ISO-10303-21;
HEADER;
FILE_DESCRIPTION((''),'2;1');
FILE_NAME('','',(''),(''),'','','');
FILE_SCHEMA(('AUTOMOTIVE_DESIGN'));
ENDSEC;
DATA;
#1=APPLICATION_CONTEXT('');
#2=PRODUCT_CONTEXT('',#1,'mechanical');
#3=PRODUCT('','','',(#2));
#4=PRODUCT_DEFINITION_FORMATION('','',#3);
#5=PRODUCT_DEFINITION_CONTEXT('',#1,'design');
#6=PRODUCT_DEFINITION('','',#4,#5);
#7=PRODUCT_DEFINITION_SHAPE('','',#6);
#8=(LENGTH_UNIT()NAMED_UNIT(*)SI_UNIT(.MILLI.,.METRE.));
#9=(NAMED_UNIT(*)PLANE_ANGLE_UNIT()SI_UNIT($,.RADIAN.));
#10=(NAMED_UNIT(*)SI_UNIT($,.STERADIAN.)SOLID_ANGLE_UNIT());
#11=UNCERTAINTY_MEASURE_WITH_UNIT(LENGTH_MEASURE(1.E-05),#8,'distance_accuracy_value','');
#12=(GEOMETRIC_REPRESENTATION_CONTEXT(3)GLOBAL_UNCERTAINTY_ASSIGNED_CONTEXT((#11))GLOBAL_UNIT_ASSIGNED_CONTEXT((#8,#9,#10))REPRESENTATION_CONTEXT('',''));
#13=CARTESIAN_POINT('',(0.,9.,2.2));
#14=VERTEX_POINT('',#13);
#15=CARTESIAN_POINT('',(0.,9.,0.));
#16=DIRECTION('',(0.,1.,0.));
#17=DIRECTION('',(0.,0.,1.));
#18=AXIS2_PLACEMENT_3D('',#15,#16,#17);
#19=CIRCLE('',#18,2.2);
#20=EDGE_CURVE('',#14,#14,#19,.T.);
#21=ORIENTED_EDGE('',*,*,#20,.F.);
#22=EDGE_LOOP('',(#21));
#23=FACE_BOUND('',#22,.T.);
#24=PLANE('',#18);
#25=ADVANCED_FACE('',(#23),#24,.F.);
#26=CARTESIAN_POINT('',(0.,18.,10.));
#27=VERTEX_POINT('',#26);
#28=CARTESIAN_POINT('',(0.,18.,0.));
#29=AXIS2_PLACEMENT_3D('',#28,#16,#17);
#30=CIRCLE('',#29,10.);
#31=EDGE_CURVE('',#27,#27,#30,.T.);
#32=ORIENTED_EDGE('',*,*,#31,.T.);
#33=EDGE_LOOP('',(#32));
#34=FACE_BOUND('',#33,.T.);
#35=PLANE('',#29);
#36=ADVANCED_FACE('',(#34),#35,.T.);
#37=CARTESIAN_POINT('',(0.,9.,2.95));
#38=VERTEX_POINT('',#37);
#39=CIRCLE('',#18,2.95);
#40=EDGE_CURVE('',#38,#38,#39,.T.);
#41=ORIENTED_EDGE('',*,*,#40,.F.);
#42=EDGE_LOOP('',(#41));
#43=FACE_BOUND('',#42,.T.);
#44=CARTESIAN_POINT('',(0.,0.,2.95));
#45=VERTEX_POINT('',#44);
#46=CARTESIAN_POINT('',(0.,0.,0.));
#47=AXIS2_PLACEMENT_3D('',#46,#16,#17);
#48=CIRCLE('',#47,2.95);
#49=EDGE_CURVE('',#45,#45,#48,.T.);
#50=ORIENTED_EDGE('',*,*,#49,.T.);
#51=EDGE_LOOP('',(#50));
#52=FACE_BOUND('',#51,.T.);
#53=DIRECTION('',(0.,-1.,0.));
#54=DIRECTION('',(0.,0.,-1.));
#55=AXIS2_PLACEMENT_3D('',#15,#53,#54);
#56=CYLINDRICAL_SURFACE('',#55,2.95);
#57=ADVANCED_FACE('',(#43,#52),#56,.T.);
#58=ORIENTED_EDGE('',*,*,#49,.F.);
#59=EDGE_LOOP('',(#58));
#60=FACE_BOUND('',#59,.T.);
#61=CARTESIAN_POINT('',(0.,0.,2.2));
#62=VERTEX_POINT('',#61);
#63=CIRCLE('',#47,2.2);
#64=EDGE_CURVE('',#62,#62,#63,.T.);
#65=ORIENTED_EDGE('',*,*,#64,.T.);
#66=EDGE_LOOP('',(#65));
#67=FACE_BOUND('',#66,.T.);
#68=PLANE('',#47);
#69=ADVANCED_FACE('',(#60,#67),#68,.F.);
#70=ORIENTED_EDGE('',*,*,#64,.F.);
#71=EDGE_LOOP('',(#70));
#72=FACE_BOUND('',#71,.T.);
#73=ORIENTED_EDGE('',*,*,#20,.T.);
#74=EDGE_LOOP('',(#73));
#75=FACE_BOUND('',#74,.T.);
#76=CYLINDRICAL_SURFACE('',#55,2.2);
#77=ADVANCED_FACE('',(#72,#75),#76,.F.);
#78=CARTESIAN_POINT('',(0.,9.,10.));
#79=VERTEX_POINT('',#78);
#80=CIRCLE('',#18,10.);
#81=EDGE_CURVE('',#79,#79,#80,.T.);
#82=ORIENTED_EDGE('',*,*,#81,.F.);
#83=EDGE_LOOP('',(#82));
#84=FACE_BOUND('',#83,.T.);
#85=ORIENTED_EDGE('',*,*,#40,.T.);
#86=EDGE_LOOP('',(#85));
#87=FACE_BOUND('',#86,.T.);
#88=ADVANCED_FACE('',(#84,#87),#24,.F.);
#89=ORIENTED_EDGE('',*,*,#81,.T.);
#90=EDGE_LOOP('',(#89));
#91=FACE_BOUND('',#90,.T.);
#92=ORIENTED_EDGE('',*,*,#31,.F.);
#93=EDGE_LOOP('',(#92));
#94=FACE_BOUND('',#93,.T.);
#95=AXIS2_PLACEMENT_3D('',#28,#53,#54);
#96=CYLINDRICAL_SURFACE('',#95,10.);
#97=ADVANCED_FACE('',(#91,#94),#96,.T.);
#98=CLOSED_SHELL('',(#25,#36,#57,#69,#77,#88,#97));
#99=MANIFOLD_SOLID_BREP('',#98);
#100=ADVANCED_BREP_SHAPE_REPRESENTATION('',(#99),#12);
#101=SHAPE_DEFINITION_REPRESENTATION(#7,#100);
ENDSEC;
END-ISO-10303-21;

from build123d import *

# Parameters (mm, degrees)
SKETCH1_R           = 2.95
SKETCH1_R_2         = 2.2
BOSS_EXTRUDE1_DEPTH = 9
SKETCH2_R           = 10
BOSS_EXTRUDE2_DEPTH = 9


with BuildPart() as part:
    # Sketch1 → Boss-Extrude1 (new body)
    with BuildSketch(Plane(origin=(0, 0, 0), x_dir=(1, 0, 0), z_dir=(0, 1, 0))):
        Circle(SKETCH1_R)
        Circle(SKETCH1_R_2, mode=Mode.SUBTRACT)
    extrude(amount=BOSS_EXTRUDE1_DEPTH)

    # Sketch2 → Boss-Extrude2 (add)
    with BuildSketch(Plane(origin=(0, 9, 0), x_dir=(1, 0, 0), z_dir=(0, 1, 0))):
        Circle(SKETCH2_R)
    extrude(amount=BOSS_EXTRUDE2_DEPTH)


solid = part.part
